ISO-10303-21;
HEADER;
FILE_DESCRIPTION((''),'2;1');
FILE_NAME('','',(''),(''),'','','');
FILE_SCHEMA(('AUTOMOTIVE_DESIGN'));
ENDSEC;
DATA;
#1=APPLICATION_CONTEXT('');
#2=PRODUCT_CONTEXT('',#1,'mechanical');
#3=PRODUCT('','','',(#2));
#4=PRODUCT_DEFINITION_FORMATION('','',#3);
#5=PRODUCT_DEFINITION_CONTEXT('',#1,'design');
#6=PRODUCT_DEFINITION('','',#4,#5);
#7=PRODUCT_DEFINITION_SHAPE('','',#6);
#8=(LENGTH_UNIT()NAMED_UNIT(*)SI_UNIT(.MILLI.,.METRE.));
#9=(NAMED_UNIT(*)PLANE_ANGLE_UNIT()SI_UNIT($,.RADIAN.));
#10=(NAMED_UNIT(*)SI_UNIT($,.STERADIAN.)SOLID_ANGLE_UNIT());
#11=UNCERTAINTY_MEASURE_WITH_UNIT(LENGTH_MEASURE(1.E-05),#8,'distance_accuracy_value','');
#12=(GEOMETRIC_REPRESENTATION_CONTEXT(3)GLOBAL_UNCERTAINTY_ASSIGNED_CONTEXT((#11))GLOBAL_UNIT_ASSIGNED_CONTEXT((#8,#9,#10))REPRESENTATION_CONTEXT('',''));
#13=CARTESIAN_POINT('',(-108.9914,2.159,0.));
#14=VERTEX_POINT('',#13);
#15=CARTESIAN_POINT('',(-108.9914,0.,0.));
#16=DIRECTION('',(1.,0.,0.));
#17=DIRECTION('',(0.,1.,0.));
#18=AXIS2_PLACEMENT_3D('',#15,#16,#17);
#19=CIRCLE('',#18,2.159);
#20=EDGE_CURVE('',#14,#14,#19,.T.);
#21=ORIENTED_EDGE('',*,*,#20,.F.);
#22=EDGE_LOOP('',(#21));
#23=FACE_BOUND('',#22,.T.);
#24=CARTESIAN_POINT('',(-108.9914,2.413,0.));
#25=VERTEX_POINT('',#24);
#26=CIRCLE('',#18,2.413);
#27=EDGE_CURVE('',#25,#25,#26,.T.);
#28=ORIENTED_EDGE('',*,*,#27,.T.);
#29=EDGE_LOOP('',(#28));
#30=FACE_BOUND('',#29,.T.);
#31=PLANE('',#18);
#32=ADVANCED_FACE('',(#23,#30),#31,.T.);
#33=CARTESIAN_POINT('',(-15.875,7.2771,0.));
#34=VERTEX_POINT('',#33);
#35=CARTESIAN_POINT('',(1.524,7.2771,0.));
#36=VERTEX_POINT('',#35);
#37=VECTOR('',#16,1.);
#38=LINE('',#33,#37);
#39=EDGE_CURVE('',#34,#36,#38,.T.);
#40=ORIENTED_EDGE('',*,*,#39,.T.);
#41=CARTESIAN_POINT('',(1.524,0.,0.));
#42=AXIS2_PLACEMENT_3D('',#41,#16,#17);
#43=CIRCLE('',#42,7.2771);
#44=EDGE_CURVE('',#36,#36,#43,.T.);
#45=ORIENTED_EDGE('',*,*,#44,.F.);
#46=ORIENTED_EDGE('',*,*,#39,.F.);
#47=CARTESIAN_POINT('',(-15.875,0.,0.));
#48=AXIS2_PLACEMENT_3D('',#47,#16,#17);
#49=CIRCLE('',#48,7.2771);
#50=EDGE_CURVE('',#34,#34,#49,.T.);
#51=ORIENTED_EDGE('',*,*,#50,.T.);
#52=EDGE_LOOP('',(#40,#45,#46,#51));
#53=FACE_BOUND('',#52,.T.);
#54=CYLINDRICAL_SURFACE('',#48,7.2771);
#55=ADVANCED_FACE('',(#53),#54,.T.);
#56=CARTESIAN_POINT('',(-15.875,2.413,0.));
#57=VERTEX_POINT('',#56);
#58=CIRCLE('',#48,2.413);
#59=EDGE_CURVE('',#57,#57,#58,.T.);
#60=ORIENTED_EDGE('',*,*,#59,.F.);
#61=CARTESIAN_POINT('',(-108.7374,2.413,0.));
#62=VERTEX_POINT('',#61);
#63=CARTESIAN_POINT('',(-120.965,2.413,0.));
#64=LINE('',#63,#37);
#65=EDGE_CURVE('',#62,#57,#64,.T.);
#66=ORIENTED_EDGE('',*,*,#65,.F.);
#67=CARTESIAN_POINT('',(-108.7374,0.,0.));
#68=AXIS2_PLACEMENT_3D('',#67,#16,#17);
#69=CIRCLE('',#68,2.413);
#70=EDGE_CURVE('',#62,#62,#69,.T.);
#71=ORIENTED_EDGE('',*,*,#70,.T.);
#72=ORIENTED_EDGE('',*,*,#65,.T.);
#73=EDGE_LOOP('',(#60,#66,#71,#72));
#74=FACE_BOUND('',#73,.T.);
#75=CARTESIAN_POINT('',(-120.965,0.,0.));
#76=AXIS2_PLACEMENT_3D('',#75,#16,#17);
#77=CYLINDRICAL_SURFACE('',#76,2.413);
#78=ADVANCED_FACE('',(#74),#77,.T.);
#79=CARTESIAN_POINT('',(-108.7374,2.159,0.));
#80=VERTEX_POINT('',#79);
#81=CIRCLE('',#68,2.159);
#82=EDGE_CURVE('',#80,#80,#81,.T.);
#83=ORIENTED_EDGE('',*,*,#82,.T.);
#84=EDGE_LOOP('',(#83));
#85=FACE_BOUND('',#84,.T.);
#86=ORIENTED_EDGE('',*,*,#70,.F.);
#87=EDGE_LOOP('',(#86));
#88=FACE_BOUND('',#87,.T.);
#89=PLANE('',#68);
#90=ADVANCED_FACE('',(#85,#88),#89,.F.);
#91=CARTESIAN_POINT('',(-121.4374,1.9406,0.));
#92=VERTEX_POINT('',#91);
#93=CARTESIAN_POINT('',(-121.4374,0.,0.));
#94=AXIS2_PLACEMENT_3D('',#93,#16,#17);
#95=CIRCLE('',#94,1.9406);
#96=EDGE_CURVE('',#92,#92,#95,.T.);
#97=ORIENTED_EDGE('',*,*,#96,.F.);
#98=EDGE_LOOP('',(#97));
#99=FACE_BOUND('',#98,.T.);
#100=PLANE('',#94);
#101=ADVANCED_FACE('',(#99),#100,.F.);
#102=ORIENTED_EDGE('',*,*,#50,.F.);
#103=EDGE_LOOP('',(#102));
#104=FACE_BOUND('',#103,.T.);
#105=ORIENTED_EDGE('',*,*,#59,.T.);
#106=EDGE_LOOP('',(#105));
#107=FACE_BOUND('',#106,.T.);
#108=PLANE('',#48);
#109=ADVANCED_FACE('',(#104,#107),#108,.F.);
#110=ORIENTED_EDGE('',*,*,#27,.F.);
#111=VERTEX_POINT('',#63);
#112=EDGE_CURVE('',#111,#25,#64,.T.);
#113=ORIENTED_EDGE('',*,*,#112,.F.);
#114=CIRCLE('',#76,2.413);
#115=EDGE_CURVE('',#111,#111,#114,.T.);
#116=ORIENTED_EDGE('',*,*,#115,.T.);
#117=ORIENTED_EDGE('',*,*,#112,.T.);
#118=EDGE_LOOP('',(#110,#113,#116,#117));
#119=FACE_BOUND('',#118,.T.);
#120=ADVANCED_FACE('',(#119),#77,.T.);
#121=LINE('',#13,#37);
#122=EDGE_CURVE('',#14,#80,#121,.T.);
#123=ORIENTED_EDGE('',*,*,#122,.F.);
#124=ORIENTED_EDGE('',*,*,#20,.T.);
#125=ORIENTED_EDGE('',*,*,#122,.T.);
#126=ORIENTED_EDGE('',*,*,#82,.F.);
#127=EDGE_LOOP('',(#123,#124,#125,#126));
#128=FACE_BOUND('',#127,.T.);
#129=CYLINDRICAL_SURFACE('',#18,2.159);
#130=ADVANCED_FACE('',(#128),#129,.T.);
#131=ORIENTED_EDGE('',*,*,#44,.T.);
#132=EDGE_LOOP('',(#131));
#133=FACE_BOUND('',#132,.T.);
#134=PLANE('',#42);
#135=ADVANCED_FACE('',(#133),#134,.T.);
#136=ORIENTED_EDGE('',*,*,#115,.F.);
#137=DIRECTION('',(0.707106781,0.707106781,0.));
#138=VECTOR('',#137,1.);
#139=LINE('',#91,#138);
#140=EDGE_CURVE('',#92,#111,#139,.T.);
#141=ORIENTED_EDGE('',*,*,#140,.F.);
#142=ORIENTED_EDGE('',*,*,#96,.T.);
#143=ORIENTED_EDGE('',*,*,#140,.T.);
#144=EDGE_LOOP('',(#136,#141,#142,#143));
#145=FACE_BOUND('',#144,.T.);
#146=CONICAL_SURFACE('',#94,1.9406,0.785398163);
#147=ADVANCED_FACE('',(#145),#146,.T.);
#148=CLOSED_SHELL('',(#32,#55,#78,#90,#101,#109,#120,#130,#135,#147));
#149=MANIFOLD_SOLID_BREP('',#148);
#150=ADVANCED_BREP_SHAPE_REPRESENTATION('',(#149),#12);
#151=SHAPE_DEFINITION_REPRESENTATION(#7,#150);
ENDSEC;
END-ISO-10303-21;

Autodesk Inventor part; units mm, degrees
sketch "Sketch_3" plane through (0, 0, 0) normal (0, 0, 1) x (1, 0, 0)
  line L0 (0, 0) -> (-121.4374, 0)
  line L1 (-121.4374, 0) -> (-121.4374, 1.9406)
  line L2 (-121.4374, 1.9406) -> (-120.965, 2.413)
  line L3 (-120.965, 2.413) -> (0, 2.413)
  line L4 (0, 2.413) -> (0, 0)
  line L5 (0, 0) -> (-121.4374, 0)
revolve "Revolution1" add sketch "Sketch_3" angle 360 about axis through (0, 0, 0) along (1, 0, 0)
thread "Thread1" size "10-32 UNF" class "2A" standard "ANSI Unified Screw Threads" length 12.446 offset 108.9914
sketch "Sketch_17" plane through (0, 0, 0) normal (0, 0, 1) x (1, 0, 0)
  line L0 (121.4374, 0) -> (-121.4374, 0)
  line L1 (-108.9914, 2.413) -> (-108.9914, 2.159)
  line L2 (-108.9914, 2.159) -> (-108.7374, 2.159)
  line L3 (-108.7374, 2.159) -> (-108.7374, 2.413)
  line L4 (-108.7374, 2.413) -> (-108.9914, 2.413)
revolve "Revolution2" cut sketch "Sketch_17" angle 360 about axis through (121.4374, 0, 0) along (1, 0, 0)
sketch "Sketch_12" plane through (0, 0, 0) normal (0, 0, 1) x (1, 0, 0)
  line L0 (1.524, 0) -> (-15.875, 0)
  line L1 (-15.875, 0) -> (-15.875, 7.2771)
  line L2 (-15.875, 7.2771) -> (1.524, 7.2771)
  line L3 (1.524, 7.2771) -> (1.524, 0)
  line L4 (1.524, 0) -> (-15.875, 0)
revolve "Revolution3" add sketch "Sketch_12" angle 360 about axis through (1.524, 0, 0) along (1, 0, 0)
ref_plane "h1_XY" through (-121.4374, 0, 0) normal (0, 1, 0) x (1, 0, 0)
ref_plane "h1_YZ" through (-121.4374, 0, 0) normal (1, 0, 0) x (0, 0, -1)
ref_plane "h1_ZX" through (-121.4374, 0, 0) normal (0, 0, -1) x (0, 1, 0)
ref_plane "h2_XY" through (-108.7374, 0, 0) normal (0, 1, 0) x (1, 0, 0)
ref_plane "h2_YZ" through (-108.7374, 0, 0) normal (1, 0, 0) x (0, 0, -1)
ref_plane "h2_ZX" through (-108.7374, 0, 0) normal (0, 0, -1) x (0, 1, 0)
ref_plane "k1_XY" through (-121.4374, 0, -2.413) normal (0, 1, 0) x (1, 0, 0)
ref_plane "k1_YZ" through (-121.4374, 0, -2.413) normal (1, 0, 0) x (0, 0, -1)
ref_plane "k1_ZX" through (-121.4374, 0, -2.413) normal (0, 0, -1) x (0, 1, 0)
ref_plane "k2_XY" through (-121.4374, 0, 2.413) normal (0, 1, 0) x (1, 0, 0)
ref_plane "k2_YZ" through (-121.4374, 0, 2.413) normal (1, 0, 0) x (0, 0, -1)
ref_plane "k2_ZX" through (-121.4374, 0, 2.413) normal (0, 0, -1) x (0, 1, 0)
ref_plane "start_XY" through (-108.7374, 0, 0) normal (0, 1, 0) x (1, 0, 0)
ref_plane "start_YZ" through (-108.7374, 0, 0) normal (1, 0, 0) x (0, 0, -1)
ref_plane "start_ZX" through (-108.7374, 0, 0) normal (0, 0, -1) x (0, 1, 0)
ref_plane "to_prc_XY" through (-108.7374, 0, 0) normal (1, 0, 0) x (0, 0, -1)
ref_plane "to_prc_YZ" through (-108.7374, 0, 0) normal (0, 0, -1) x (0, 1, 0)
ref_plane "to_prc_ZX" through (-108.7374, 0, 0) normal (0, 1, 0) x (1, 0, 0)
ref_plane "to_rod_guide_XY" through (-121.4374, 0, 0) normal (1, 0, 0) x (0, 0, -1)
ref_plane "to_rod_guide_YZ" through (-121.4374, 0, 0) normal (0, 0, -1) x (0, 1, 0)
ref_plane "to_rod_guide_ZX" through (-121.4374, 0, 0) normal (0, 1, 0) x (1, 0, 0)
properties part number "D-75080.5-2XP-4.781-3pos"
